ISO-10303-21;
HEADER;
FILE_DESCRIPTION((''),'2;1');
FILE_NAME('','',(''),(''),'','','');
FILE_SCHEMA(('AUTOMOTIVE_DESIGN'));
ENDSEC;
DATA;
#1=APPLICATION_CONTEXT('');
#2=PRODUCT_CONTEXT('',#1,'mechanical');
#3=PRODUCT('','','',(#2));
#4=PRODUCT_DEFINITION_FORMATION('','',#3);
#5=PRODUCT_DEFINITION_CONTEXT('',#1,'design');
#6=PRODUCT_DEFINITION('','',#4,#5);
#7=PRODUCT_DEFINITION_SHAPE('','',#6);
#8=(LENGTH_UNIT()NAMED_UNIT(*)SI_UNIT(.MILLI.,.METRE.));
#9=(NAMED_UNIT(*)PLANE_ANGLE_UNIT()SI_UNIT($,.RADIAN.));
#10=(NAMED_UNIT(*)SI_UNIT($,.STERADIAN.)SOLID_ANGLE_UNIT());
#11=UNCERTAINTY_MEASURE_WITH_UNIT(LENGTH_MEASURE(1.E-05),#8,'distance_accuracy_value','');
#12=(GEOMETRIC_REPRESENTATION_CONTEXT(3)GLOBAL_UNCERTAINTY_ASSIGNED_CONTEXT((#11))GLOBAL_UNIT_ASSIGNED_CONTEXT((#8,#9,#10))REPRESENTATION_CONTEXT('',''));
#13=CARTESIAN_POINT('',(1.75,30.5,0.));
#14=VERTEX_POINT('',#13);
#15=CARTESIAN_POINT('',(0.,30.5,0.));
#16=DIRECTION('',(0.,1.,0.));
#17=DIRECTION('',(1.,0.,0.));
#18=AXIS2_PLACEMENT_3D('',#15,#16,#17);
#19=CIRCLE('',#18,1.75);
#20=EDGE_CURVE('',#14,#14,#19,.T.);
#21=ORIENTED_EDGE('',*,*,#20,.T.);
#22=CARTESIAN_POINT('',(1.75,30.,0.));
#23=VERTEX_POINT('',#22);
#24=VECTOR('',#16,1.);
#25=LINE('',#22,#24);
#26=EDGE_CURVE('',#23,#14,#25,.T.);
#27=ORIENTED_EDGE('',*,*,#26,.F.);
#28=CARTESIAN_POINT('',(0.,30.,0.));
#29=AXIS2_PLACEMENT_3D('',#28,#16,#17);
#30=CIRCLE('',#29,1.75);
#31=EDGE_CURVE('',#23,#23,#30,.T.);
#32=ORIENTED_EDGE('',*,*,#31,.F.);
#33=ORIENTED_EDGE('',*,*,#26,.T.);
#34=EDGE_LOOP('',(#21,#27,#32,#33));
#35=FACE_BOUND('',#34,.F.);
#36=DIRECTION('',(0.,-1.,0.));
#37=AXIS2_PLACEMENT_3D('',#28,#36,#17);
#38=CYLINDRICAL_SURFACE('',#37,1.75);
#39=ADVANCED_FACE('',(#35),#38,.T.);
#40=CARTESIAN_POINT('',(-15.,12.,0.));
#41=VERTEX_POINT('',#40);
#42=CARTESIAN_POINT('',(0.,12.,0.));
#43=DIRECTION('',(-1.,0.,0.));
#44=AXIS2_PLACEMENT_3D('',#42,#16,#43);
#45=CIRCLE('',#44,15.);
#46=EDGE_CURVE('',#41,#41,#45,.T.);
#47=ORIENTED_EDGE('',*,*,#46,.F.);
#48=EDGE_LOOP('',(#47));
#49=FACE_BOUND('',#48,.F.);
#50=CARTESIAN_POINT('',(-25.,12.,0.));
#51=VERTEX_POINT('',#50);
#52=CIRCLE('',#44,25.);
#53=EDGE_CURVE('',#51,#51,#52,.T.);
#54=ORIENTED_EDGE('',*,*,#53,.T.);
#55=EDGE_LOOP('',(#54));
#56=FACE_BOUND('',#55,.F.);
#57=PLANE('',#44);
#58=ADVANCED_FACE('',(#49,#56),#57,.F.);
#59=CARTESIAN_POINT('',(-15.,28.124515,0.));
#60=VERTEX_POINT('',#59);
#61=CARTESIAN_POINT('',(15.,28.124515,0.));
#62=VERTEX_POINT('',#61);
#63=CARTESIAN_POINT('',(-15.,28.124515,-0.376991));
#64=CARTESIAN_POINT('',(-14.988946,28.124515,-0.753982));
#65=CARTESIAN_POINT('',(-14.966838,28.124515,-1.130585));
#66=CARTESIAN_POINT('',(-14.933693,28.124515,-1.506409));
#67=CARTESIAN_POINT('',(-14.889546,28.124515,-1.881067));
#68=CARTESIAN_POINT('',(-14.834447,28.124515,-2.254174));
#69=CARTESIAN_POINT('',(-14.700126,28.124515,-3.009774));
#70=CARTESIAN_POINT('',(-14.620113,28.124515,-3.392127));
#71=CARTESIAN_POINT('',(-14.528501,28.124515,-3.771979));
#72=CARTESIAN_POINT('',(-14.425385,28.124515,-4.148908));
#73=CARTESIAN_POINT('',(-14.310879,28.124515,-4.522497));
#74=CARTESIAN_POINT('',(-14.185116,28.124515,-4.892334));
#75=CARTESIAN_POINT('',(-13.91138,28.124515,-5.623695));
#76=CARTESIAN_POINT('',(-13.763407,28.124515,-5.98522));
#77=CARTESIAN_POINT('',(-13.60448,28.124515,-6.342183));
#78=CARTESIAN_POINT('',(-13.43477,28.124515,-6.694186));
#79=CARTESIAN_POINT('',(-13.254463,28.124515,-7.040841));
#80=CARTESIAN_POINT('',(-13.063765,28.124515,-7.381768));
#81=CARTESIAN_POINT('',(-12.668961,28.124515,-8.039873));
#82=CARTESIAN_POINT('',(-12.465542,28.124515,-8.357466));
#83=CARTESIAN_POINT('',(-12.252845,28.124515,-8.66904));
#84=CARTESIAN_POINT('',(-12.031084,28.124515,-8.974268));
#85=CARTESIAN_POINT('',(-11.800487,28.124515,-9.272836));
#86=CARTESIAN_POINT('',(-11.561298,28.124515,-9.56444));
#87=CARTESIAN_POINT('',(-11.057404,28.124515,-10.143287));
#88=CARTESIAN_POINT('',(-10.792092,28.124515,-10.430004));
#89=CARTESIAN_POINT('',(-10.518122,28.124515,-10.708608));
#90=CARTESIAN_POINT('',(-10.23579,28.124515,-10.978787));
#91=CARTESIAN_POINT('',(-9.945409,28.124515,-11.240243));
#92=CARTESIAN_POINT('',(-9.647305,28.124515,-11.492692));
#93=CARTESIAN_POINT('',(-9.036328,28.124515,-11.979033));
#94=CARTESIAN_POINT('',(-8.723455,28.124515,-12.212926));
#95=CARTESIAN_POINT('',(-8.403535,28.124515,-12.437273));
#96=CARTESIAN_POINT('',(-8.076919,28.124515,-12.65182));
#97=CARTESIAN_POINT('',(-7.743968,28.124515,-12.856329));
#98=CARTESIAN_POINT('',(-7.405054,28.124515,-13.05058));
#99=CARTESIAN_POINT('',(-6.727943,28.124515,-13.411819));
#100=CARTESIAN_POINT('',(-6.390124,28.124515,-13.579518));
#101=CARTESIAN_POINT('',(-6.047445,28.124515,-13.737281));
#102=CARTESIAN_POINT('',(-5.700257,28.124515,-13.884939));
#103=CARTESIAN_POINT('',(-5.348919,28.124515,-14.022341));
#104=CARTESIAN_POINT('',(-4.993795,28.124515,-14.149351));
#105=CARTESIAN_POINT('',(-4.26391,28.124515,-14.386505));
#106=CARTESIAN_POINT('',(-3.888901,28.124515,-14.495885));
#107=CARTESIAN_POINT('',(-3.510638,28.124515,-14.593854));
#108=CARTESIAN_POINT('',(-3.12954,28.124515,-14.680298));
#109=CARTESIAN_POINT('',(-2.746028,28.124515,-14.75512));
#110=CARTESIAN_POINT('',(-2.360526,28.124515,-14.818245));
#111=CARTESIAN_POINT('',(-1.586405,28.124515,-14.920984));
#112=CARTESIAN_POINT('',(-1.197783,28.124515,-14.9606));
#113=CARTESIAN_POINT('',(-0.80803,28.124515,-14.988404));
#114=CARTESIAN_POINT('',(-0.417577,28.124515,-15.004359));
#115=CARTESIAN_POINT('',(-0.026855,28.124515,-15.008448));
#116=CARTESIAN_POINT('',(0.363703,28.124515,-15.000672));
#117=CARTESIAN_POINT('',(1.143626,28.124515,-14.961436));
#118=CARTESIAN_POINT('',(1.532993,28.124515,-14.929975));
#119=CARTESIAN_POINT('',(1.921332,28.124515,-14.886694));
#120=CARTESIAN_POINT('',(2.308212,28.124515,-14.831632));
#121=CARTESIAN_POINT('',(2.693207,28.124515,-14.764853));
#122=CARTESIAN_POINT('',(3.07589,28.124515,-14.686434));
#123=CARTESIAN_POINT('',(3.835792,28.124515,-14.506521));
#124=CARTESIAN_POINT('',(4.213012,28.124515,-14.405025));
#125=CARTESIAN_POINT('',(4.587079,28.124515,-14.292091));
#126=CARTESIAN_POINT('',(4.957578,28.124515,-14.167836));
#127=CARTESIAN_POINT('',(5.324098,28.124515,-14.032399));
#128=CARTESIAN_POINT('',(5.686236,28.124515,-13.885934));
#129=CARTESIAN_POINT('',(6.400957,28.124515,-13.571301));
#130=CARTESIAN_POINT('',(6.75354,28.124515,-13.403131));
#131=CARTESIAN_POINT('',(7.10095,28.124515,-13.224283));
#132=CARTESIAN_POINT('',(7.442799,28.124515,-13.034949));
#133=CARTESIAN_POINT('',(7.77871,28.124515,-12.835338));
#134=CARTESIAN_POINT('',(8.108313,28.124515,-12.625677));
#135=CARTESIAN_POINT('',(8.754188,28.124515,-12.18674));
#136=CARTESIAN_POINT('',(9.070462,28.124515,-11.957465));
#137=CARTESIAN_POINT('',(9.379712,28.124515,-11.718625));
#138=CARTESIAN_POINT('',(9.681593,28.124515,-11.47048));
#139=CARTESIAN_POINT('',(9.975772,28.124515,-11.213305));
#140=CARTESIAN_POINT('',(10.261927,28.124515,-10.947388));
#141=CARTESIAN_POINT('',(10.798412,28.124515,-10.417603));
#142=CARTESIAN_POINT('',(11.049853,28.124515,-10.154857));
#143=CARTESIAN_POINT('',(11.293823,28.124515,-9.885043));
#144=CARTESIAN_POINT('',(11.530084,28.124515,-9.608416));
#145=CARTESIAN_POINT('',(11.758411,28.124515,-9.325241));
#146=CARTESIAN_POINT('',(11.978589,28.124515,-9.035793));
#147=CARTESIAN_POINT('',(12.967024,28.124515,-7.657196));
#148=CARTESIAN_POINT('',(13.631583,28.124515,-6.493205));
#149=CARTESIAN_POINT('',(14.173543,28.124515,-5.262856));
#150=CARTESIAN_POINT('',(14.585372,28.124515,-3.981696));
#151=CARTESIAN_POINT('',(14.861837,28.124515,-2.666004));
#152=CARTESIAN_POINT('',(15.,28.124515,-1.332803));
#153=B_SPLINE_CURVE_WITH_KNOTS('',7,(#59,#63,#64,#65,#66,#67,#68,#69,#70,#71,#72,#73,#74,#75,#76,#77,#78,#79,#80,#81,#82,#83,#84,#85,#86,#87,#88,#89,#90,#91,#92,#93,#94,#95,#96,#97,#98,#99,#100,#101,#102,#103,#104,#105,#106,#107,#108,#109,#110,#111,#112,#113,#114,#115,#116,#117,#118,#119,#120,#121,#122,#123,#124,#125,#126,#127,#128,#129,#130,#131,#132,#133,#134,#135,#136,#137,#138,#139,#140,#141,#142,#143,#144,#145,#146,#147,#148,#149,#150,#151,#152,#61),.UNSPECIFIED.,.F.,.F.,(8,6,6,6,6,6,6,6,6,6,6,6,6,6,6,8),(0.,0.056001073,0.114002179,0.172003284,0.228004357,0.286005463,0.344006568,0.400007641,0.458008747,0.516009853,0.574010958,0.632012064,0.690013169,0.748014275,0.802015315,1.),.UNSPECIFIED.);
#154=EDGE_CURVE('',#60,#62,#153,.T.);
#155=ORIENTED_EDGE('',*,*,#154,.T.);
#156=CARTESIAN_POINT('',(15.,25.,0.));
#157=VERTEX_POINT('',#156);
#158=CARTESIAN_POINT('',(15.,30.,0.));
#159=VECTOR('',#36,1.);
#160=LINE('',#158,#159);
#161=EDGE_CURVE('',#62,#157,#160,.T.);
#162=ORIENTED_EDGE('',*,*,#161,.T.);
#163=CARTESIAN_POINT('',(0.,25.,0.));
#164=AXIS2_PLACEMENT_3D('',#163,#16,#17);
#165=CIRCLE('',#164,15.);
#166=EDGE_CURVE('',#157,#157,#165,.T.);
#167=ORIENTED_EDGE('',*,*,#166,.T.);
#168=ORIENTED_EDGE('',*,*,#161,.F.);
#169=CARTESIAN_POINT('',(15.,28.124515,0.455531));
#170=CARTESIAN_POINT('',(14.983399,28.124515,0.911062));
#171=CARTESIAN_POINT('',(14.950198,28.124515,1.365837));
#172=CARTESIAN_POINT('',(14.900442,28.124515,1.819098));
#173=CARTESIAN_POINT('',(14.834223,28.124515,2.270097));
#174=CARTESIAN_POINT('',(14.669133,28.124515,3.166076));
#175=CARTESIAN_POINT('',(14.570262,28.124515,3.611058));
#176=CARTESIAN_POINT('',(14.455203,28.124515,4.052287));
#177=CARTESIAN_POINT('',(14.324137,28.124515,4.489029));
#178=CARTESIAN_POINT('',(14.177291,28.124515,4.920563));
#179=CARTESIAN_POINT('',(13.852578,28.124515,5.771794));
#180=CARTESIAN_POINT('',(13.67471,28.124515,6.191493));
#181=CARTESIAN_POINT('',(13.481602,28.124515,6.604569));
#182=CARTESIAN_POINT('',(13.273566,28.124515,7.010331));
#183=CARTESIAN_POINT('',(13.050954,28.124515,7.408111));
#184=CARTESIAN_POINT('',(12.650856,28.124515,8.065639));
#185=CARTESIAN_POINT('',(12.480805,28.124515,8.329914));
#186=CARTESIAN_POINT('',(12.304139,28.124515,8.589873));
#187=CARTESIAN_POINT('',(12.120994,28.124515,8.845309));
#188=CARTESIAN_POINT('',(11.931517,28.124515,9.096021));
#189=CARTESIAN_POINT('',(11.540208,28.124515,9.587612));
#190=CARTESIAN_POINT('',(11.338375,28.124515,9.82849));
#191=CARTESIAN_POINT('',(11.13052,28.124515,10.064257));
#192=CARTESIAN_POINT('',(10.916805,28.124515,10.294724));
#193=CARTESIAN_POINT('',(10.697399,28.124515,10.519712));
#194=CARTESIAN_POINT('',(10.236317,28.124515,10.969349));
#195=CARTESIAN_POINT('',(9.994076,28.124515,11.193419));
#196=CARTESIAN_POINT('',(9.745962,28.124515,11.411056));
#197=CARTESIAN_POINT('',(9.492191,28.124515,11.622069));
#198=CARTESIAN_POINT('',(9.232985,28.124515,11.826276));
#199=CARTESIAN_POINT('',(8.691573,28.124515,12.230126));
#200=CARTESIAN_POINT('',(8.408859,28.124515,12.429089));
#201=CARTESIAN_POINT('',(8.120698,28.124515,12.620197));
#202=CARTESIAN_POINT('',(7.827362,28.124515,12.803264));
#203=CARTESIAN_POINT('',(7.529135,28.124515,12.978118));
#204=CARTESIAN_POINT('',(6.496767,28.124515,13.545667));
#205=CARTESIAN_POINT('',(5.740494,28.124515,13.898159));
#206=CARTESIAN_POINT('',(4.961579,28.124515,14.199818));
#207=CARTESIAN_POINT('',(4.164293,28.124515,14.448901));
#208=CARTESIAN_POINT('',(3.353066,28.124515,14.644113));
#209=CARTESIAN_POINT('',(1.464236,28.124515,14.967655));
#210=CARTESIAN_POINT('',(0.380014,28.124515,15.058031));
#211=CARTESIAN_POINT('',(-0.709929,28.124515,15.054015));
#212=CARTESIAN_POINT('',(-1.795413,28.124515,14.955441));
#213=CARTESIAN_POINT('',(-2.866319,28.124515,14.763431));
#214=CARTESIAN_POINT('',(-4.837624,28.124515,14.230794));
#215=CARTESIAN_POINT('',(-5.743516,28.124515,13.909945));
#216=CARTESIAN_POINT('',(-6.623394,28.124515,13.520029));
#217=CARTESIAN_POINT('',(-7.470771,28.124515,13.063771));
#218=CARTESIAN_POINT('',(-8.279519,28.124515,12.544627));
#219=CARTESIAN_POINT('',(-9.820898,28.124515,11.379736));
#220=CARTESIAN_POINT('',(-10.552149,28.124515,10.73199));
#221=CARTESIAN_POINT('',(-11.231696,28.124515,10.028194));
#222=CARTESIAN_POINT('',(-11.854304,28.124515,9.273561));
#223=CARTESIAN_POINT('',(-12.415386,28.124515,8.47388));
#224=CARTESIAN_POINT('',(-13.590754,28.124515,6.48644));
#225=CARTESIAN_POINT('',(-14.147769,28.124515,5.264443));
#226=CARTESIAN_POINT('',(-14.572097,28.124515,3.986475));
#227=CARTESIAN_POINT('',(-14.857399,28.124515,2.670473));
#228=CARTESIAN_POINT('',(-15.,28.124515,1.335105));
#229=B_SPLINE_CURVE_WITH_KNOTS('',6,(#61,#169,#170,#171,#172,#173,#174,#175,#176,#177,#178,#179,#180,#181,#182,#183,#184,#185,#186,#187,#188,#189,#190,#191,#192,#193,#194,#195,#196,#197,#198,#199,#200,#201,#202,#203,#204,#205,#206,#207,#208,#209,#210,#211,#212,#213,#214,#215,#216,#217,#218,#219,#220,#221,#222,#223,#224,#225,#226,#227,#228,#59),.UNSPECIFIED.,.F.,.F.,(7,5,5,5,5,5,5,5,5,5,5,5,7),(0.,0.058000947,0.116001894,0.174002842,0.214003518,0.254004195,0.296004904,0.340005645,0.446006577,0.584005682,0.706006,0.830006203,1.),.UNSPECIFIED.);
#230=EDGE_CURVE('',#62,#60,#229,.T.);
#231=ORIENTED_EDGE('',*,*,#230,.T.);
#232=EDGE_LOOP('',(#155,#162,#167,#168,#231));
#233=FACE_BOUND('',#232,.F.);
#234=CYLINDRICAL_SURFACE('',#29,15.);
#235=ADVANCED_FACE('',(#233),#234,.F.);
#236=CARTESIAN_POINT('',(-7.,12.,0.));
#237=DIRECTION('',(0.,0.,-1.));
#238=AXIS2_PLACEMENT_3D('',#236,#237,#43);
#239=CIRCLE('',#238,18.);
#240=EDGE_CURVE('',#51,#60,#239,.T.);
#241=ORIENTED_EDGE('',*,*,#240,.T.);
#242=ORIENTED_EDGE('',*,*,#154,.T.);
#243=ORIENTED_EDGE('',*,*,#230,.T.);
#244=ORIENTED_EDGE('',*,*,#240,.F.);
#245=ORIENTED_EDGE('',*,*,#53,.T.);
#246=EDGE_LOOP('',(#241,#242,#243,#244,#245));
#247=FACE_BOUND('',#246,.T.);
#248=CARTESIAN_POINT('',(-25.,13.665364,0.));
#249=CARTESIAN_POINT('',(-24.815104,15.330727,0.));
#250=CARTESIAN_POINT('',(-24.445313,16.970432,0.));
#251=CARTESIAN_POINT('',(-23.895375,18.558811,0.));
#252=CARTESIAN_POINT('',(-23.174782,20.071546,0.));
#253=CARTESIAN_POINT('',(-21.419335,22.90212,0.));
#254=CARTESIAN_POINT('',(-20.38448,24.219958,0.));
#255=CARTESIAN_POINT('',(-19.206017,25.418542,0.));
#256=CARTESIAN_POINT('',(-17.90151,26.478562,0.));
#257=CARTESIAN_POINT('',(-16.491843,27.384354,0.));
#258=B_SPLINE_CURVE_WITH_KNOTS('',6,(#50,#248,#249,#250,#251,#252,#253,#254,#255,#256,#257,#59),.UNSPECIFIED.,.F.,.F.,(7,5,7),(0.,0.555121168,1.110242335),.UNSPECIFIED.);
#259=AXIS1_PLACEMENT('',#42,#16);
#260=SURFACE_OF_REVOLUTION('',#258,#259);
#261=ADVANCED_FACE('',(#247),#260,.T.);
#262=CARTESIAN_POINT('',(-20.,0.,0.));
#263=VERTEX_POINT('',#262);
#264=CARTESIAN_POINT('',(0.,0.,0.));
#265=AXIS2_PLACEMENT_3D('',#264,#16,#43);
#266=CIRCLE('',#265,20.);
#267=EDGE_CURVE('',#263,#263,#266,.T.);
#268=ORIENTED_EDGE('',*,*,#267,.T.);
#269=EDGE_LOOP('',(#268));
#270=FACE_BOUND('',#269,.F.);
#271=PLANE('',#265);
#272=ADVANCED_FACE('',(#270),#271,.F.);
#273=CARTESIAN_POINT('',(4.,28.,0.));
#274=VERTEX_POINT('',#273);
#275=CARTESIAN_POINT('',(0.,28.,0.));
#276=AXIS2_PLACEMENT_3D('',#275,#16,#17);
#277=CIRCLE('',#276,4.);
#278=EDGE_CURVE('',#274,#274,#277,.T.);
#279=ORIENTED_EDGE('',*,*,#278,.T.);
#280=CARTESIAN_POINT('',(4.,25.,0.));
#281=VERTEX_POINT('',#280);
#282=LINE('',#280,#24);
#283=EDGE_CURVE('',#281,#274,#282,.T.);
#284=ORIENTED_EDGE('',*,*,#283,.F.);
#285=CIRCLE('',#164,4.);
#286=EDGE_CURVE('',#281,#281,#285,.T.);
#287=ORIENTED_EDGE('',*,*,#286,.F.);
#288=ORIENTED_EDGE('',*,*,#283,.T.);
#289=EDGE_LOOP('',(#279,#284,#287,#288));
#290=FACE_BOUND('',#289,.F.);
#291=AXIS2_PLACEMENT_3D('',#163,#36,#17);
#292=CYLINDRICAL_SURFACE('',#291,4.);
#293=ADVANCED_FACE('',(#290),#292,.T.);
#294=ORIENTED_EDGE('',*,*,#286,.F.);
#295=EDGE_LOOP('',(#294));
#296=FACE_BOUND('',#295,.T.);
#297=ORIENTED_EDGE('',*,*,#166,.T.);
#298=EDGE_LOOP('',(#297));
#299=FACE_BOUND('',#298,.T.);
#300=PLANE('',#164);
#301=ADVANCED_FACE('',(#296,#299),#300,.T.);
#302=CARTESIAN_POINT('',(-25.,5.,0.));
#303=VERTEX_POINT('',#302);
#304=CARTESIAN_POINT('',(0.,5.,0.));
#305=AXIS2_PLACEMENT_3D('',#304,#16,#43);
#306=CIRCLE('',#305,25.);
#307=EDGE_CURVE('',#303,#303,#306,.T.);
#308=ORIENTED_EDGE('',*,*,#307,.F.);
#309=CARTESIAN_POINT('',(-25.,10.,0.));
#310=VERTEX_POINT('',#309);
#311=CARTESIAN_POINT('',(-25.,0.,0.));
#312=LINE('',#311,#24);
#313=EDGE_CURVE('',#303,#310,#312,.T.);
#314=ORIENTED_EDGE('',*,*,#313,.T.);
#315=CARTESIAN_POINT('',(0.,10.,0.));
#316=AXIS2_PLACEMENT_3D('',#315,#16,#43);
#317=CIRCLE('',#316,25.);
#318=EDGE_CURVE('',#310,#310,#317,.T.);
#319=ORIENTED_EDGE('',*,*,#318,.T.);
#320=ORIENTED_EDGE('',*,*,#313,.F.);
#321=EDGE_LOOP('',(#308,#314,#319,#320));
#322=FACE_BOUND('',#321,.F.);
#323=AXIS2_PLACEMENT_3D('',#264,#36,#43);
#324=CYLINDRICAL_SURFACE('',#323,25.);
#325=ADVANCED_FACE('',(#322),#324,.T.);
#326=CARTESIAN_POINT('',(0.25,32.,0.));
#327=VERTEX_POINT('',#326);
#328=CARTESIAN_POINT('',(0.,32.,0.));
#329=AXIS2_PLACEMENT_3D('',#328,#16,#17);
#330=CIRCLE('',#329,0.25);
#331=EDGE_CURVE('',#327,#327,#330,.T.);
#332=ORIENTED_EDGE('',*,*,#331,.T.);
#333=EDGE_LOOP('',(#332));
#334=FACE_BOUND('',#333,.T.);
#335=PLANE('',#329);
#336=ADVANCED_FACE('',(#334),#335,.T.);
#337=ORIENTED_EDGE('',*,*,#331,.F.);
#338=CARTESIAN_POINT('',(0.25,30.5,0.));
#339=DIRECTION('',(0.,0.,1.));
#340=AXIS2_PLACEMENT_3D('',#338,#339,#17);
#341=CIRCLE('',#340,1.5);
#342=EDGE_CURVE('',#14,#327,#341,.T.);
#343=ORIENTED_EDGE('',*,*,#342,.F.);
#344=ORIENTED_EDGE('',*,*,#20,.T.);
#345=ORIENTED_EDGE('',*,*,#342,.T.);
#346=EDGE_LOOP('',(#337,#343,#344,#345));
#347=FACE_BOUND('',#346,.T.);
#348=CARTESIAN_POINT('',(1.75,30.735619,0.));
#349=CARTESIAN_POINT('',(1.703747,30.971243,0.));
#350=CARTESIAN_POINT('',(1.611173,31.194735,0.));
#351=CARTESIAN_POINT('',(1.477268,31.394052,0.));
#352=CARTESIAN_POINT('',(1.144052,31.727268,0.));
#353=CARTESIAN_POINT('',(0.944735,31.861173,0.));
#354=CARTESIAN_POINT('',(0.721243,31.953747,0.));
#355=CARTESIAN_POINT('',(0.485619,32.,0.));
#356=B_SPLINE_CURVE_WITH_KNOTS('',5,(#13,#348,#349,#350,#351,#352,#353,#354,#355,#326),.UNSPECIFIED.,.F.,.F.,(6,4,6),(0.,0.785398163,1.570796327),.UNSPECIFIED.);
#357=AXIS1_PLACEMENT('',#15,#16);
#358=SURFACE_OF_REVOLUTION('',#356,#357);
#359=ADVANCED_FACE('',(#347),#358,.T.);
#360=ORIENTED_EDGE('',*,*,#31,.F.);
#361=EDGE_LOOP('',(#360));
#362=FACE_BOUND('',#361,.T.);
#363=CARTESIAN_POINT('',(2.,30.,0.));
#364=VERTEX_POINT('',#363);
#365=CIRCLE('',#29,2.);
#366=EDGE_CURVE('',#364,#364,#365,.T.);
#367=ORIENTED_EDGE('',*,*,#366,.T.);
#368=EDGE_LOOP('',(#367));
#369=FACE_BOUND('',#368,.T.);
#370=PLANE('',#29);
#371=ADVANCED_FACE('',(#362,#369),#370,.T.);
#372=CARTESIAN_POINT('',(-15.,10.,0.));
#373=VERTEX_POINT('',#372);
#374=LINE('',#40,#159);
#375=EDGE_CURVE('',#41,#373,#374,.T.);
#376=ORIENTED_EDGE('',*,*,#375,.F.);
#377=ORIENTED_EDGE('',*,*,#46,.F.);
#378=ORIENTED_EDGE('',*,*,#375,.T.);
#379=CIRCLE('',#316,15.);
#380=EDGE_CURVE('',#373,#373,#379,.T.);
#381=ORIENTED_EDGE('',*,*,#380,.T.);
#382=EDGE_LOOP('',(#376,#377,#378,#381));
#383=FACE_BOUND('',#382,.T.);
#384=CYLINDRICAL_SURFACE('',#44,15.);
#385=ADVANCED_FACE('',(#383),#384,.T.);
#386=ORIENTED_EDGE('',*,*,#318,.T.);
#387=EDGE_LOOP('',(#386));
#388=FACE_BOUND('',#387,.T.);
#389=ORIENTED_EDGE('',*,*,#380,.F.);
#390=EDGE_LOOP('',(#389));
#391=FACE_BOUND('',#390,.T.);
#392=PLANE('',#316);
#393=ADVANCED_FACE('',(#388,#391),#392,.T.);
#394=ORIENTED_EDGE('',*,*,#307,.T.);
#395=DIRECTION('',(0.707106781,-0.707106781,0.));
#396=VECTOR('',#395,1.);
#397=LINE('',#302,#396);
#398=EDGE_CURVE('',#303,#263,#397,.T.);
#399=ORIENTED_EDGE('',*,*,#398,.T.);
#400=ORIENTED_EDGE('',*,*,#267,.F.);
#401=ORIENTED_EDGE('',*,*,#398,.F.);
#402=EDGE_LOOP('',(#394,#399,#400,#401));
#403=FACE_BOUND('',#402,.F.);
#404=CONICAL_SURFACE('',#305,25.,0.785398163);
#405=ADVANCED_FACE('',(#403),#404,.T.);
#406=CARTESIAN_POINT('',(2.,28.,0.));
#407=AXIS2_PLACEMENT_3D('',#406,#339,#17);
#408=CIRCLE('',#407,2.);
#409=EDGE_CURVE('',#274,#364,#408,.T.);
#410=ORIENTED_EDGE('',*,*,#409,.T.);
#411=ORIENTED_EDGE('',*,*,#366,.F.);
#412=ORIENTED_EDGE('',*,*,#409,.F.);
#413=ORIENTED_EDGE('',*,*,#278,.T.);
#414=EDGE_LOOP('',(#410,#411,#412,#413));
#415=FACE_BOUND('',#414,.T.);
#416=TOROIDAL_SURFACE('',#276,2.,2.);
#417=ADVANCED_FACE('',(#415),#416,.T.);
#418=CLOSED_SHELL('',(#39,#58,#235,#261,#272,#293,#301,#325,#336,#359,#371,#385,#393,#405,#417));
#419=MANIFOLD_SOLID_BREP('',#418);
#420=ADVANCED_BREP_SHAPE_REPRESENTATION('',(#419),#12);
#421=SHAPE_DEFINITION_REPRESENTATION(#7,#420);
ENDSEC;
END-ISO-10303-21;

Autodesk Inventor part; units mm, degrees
ref_plane "YZ Plane" through (0, 0, 0) normal (1, 0, 0) x (0, 1, 0)
ref_plane "XY Plane" through (0, 0, 0) normal (0, 0, 1) x (1, 0, 0)
sketch "Sketch1" plane through (0, 0, 0) normal (0, 1, 0) x (-1, 0, 0)
  circle A0 centre (0, 0) radius 25
  dimension "d0" = 50
extrude "Extrusion1" add sketch "Sketch1" along normal blind 30
fillet "Fillet1" radius 18 1 edges at (25, 30, 0)
chamfer "Chamfer1" distance 5 angle 45 1 edges at (25, 0, 0)
sketch "Sketch2" plane through (0, 30, 0) normal (0, 1, 0) x (1, 0, 0)
  line L0 (0, 0) -> (6.5883, 0)
  line L1 (6.5883, 0) -> (-7, 0)
  circle A0 centre (0, 0) radius 7 projected
  circle A1 centre (0, 0) radius 6.5883
  circle A2 centre (0, 0) radius 25
  circle A3 centre (0, 0) radius 15
  dimension "d7" = 30
extrude "Extrusion2" cut sketch "Sketch2" against normal blind 5 contours L1 A1 L0 | L0 A1 L1 | A0 | A3
sketch "Sketch3" plane through (0, 25, 0) normal (0, 1, 0) x (1, 0, 0)
  circle A0 centre (0, 0) radius 4
  dimension "d10" = 8
extrude "Extrusion3" add sketch "Sketch3" along normal blind 5
fillet "Fillet2" radius 2 1 edges at (-4, 30, 0)
ref_plane "Work Plane1" through (0, 12, 0) normal (0, 1, 0) x (-1, 0, 0)
sketch "Sketch4" plane through (0, 12, 0) normal (0, 1, 0) x (-1, 0, 0)
  circle A0 centre (0, 0) radius 4 projected
  circle A1 centre (0, 0) radius 25
  circle A2 centre (0, 0) radius 2 projected
  circle A3 centre (0, 0) radius 15
  dimension "d21" = 30
sketch "Sketch5" plane through (0, 30, 0) normal (0, 1, 0) x (1, 0, 0)
  circle A0 centre (0, 0) radius 2
  circle A1 centre (0, 0) radius 1.75
  dimension "d17" = 3.5
extrude "Extrusion5" add sketch "Sketch5" along normal blind 2 contours A1
fillet "Fillet3" radius 1.5 1 edges at (-1.75, 32, 0)
extrude "Extrusion6" cut sketch "Sketch4" against normal blind 2 contours A1
properties part number "camera"
